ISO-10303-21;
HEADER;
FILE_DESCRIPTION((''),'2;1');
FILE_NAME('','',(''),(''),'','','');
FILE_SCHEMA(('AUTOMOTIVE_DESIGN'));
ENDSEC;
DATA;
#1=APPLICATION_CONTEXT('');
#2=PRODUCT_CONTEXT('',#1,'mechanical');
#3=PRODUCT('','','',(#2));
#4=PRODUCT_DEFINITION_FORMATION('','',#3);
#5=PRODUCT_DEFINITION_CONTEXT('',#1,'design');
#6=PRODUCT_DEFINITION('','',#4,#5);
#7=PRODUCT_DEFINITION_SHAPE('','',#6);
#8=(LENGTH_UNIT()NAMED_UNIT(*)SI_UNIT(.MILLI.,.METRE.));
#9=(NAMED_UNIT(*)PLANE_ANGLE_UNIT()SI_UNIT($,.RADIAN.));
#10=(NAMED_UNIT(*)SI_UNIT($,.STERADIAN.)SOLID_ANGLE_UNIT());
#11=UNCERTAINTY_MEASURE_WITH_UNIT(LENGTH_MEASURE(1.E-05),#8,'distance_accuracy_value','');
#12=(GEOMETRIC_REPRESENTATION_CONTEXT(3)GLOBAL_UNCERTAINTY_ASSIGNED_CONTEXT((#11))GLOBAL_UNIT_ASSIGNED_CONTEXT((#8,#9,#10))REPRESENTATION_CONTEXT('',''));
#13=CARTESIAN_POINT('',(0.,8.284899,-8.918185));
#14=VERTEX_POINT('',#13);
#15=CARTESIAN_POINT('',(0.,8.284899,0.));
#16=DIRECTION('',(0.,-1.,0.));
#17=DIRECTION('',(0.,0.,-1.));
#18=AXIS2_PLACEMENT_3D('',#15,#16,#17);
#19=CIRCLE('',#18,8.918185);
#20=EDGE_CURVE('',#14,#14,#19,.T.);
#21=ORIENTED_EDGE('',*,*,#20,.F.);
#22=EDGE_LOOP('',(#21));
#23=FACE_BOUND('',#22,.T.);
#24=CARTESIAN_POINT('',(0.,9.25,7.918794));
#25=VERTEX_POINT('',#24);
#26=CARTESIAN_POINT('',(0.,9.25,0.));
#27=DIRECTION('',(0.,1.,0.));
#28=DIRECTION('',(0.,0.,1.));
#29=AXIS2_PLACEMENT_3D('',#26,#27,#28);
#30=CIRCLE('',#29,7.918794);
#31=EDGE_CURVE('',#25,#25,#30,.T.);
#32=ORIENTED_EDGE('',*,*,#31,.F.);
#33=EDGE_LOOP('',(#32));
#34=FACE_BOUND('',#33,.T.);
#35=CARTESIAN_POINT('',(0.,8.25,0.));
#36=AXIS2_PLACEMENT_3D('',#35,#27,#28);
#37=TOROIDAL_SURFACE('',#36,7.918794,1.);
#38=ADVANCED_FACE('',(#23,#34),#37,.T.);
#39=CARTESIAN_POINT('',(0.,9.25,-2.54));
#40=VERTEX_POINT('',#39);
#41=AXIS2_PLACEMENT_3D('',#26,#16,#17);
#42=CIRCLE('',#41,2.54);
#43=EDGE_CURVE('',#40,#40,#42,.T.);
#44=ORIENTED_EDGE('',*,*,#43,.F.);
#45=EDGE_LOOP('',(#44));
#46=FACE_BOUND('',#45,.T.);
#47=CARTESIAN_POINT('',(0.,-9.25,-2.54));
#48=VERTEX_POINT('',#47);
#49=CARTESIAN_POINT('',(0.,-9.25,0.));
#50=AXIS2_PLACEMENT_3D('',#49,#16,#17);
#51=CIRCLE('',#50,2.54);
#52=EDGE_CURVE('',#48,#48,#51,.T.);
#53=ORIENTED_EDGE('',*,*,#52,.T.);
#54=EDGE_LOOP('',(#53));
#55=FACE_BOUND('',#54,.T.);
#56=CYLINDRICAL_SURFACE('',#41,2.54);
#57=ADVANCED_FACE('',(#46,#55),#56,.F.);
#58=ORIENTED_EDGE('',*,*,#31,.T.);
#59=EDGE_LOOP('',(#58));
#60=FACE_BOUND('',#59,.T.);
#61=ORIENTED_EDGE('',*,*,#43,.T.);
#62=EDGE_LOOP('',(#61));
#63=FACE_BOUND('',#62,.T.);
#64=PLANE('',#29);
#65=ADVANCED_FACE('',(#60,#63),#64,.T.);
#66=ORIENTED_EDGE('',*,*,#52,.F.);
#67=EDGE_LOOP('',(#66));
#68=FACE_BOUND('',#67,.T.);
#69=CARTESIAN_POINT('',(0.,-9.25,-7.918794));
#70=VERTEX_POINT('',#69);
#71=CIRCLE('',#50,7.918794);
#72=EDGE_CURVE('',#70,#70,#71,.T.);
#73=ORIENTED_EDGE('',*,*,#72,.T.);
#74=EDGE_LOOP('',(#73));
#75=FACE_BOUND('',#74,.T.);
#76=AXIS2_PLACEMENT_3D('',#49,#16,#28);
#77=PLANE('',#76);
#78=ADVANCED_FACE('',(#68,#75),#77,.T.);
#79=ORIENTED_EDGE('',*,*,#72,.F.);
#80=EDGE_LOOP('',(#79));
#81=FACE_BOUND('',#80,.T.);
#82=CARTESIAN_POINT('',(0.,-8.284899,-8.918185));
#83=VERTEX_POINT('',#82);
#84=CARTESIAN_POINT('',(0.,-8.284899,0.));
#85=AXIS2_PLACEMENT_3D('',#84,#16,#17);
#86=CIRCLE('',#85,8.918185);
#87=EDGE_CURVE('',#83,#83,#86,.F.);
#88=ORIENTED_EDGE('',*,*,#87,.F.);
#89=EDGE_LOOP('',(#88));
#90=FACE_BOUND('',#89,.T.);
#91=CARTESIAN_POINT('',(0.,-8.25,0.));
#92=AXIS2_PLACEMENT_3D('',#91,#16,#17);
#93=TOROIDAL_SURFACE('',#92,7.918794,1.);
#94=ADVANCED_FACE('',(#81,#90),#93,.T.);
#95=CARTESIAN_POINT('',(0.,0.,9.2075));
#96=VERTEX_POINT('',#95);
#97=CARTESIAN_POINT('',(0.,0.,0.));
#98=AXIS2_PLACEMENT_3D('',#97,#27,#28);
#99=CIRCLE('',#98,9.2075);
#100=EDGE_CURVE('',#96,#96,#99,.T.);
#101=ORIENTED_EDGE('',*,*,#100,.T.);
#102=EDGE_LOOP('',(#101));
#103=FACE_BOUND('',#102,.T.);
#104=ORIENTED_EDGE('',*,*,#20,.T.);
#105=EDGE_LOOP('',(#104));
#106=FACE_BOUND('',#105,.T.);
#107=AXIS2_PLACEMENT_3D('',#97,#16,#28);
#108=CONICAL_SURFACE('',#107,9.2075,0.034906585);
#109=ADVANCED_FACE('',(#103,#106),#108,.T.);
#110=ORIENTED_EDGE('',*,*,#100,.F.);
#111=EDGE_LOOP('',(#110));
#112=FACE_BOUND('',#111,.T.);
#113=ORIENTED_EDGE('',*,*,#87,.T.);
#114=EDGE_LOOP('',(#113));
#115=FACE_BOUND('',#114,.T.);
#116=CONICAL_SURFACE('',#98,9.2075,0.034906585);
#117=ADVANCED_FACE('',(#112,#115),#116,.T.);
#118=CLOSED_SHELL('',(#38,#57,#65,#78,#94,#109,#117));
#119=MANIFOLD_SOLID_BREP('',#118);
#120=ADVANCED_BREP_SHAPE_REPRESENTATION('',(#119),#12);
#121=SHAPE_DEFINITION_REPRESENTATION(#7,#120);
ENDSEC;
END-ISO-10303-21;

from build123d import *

# Parameters (mm, degrees)
SKETCH1_R           = 9.2075
BOSS_EXTRUDE1_DEPTH = 9.25
BOSS_EXTRUDE1_TAPER = 2
SKETCH2_R           = 2.54
CUT_EXTRUDE1_DEPTH  = 23.623132407
FILLET1_R           = 1


with BuildPart() as part:
    # Sketch1 → Boss-Extrude1 (new body)
    with BuildSketch(Plane(origin=(0, 0, 0), x_dir=(1, 0, 0), z_dir=(0, 1, 0))):
        Circle(SKETCH1_R)
    boss_extrude1 = extrude(amount=BOSS_EXTRUDE1_DEPTH, taper=BOSS_EXTRUDE1_TAPER)

    # Mirror1: Boss-Extrude1 across plane
    add(boss_extrude1.mirror(Plane.ZX))

    # Sketch2 → Cut-Extrude1 (cut, through all)
    with BuildSketch(Plane(origin=(0, -9.25, 0), x_dir=(-1, 0, 0), z_dir=(0, -1, 0))):
        with Locations(Location((0, 0, 0), (0, 0, 90))):
            Circle(SKETCH2_R)
    extrude(amount=-CUT_EXTRUDE1_DEPTH, mode=Mode.SUBTRACT)

    # Fillet1
    fillet1_edges = [part.edges().sort_by_distance(p)[0] for p in [
        (-8.884482882, 9.25, 0),
        (-8.884482882, -9.25, 0),
    ]]
    fillet(fillet1_edges, radius=FILLET1_R)


solid = part.part
